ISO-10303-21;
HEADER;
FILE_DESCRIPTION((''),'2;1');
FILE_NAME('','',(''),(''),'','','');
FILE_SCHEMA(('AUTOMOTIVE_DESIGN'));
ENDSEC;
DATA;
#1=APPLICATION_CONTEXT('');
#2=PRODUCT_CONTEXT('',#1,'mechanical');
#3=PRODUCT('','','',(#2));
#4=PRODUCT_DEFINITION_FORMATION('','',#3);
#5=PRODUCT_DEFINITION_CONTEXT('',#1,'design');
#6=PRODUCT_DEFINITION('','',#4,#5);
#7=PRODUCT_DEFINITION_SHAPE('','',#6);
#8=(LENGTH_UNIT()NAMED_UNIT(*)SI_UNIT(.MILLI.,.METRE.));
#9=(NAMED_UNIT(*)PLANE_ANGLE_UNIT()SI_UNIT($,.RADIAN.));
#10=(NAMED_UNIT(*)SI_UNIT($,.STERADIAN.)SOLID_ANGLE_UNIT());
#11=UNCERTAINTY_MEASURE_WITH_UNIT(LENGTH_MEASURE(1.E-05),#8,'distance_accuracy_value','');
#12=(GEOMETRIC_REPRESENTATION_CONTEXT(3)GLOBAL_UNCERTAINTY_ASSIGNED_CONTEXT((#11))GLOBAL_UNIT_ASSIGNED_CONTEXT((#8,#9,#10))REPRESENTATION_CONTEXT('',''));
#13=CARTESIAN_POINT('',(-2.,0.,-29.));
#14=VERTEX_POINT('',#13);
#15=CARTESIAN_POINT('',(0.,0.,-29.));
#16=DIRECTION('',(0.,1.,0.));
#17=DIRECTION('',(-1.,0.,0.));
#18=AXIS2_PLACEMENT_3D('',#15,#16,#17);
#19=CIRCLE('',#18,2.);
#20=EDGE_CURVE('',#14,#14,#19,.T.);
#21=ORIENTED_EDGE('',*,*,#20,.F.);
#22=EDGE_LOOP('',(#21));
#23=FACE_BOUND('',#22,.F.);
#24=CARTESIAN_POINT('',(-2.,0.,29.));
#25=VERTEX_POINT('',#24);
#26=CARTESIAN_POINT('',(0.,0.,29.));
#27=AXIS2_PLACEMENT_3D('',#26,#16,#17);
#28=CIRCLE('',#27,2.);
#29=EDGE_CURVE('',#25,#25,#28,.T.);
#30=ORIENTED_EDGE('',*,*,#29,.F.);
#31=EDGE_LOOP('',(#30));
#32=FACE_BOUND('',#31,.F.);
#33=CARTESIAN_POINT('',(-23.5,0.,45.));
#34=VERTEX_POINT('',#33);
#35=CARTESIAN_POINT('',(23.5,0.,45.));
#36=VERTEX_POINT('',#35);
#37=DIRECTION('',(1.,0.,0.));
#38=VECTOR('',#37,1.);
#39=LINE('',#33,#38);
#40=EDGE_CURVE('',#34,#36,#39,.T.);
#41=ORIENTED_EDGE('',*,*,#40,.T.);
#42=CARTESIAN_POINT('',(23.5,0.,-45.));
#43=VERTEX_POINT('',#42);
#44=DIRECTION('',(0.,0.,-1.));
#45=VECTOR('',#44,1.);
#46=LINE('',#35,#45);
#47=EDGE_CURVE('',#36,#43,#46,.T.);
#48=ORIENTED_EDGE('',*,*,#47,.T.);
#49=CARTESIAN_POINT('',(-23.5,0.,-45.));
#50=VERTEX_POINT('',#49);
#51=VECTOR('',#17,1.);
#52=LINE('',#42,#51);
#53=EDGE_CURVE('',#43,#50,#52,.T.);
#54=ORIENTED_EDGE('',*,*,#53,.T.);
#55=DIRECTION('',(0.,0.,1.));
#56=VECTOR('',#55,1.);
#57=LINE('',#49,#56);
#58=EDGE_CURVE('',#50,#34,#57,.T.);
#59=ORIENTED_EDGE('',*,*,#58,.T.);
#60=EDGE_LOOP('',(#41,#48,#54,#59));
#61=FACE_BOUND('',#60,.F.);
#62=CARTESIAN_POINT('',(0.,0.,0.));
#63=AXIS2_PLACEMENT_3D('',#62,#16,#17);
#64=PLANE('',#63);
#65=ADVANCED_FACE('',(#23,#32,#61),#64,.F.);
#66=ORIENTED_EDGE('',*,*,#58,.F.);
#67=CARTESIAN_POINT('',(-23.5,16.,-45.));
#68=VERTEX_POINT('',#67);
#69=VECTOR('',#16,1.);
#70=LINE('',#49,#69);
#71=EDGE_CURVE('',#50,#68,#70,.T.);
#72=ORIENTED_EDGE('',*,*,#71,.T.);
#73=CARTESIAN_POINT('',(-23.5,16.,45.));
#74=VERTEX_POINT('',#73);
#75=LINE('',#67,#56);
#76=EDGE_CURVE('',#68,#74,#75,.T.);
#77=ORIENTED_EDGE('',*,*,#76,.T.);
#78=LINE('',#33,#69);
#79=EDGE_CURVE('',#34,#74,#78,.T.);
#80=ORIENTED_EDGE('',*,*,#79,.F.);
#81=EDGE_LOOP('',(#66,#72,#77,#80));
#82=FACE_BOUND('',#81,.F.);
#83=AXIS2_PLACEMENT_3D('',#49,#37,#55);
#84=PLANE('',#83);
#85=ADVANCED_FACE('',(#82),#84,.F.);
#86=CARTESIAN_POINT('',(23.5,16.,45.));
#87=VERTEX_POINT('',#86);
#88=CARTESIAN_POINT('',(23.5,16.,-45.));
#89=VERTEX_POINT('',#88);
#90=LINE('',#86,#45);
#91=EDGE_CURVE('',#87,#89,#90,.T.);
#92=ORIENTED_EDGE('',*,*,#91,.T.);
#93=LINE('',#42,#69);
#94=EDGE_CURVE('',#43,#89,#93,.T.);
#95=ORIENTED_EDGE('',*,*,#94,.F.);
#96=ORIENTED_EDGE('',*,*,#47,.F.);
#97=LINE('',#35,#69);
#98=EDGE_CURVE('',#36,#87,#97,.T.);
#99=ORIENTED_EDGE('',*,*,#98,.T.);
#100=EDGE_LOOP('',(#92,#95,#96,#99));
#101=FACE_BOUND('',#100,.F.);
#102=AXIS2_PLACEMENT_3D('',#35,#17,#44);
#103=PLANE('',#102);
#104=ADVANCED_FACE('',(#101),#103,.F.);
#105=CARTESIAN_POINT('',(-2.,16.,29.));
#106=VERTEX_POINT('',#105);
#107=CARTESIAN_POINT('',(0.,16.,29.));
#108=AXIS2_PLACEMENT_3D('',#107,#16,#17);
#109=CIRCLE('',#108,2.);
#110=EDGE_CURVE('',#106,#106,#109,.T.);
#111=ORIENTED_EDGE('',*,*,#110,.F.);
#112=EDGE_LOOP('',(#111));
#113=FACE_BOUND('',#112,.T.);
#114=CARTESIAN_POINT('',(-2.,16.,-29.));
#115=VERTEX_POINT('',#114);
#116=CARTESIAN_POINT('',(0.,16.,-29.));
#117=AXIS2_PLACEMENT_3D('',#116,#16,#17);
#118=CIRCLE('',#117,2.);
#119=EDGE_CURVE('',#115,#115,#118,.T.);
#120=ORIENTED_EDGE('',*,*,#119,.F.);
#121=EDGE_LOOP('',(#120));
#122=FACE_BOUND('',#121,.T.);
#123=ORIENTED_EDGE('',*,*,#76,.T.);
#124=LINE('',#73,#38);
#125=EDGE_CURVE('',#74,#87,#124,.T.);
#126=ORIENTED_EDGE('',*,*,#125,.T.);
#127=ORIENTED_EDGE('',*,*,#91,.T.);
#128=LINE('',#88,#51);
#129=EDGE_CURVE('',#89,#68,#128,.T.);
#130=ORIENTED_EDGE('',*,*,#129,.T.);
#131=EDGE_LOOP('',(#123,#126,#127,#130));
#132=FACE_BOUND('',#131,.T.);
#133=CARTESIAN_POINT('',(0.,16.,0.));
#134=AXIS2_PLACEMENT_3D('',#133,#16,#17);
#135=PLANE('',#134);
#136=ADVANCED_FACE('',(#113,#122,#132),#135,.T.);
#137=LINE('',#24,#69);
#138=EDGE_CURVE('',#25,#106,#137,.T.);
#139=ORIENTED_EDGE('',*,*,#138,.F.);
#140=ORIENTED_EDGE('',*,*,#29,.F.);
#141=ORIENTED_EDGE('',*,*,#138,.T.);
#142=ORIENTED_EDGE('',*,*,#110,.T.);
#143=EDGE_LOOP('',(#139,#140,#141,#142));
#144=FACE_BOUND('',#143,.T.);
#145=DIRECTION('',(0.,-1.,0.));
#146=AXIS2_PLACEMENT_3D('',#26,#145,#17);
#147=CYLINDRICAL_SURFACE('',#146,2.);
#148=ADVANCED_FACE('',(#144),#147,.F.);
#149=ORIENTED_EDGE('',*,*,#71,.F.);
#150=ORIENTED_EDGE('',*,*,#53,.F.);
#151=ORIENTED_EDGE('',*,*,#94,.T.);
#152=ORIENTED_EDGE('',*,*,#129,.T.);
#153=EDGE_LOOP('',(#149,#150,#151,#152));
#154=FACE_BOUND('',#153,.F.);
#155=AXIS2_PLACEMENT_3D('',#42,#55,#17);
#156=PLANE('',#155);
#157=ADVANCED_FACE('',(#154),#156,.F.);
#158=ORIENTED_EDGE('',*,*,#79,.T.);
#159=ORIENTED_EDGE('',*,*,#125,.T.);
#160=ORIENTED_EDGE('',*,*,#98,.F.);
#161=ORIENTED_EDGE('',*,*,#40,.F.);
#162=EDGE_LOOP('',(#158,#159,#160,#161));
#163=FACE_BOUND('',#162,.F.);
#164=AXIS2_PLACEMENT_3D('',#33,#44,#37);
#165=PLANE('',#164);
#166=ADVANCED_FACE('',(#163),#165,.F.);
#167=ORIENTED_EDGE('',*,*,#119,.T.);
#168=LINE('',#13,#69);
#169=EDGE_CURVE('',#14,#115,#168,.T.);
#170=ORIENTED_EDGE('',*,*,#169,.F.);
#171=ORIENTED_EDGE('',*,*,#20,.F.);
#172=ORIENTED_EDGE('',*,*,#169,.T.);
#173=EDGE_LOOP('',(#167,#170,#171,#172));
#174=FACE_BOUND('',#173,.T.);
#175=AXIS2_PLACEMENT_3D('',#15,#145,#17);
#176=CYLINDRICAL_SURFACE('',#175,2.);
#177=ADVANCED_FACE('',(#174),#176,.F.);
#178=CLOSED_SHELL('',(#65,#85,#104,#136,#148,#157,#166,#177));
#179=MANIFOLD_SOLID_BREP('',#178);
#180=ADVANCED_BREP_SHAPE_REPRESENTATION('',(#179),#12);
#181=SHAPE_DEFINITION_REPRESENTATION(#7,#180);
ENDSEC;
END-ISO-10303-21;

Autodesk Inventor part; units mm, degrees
ref_plane "YZ Plane" through (0, 0, 0) normal (1, 0, 0) x (0, 1, 0)
ref_plane "XZ Plane" through (0, 0, 0) normal (0, 1, 0) x (-1, 0, 0)
ref_plane "XY Plane" through (0, 0, 0) normal (0, 0, 1) x (1, 0, 0)
sketch "bat_base" plane through (0, 0, 0) normal (0, 1, 0) x (-1, 0, 0)
  line L0 (23.5, 45) -> (-23.5, 45)
  line L1 (-23.5, 45) -> (-23.5, -45)
  line L2 (-23.5, -45) -> (23.5, -45)
  line L3 (23.5, -45) -> (23.5, 45)
  circle A0 centre (0, 29) radius 2
  circle A1 centre (0, -29) radius 2
  point P0 (0, 0)
  point P1 (-23.5, 0)
  point P2 (0, -45)
  point P3 (0, 45)
  dimension "d0" = 47
  dimension "d1" = 90
  dimension "d2" = 4
  dimension "d3" = 16
  dimension "d4" = 4
  dimension "d5" = 16
extrude "bat_block" add sketch "bat_base" along normal blind 16
properties part number "battery_case"
